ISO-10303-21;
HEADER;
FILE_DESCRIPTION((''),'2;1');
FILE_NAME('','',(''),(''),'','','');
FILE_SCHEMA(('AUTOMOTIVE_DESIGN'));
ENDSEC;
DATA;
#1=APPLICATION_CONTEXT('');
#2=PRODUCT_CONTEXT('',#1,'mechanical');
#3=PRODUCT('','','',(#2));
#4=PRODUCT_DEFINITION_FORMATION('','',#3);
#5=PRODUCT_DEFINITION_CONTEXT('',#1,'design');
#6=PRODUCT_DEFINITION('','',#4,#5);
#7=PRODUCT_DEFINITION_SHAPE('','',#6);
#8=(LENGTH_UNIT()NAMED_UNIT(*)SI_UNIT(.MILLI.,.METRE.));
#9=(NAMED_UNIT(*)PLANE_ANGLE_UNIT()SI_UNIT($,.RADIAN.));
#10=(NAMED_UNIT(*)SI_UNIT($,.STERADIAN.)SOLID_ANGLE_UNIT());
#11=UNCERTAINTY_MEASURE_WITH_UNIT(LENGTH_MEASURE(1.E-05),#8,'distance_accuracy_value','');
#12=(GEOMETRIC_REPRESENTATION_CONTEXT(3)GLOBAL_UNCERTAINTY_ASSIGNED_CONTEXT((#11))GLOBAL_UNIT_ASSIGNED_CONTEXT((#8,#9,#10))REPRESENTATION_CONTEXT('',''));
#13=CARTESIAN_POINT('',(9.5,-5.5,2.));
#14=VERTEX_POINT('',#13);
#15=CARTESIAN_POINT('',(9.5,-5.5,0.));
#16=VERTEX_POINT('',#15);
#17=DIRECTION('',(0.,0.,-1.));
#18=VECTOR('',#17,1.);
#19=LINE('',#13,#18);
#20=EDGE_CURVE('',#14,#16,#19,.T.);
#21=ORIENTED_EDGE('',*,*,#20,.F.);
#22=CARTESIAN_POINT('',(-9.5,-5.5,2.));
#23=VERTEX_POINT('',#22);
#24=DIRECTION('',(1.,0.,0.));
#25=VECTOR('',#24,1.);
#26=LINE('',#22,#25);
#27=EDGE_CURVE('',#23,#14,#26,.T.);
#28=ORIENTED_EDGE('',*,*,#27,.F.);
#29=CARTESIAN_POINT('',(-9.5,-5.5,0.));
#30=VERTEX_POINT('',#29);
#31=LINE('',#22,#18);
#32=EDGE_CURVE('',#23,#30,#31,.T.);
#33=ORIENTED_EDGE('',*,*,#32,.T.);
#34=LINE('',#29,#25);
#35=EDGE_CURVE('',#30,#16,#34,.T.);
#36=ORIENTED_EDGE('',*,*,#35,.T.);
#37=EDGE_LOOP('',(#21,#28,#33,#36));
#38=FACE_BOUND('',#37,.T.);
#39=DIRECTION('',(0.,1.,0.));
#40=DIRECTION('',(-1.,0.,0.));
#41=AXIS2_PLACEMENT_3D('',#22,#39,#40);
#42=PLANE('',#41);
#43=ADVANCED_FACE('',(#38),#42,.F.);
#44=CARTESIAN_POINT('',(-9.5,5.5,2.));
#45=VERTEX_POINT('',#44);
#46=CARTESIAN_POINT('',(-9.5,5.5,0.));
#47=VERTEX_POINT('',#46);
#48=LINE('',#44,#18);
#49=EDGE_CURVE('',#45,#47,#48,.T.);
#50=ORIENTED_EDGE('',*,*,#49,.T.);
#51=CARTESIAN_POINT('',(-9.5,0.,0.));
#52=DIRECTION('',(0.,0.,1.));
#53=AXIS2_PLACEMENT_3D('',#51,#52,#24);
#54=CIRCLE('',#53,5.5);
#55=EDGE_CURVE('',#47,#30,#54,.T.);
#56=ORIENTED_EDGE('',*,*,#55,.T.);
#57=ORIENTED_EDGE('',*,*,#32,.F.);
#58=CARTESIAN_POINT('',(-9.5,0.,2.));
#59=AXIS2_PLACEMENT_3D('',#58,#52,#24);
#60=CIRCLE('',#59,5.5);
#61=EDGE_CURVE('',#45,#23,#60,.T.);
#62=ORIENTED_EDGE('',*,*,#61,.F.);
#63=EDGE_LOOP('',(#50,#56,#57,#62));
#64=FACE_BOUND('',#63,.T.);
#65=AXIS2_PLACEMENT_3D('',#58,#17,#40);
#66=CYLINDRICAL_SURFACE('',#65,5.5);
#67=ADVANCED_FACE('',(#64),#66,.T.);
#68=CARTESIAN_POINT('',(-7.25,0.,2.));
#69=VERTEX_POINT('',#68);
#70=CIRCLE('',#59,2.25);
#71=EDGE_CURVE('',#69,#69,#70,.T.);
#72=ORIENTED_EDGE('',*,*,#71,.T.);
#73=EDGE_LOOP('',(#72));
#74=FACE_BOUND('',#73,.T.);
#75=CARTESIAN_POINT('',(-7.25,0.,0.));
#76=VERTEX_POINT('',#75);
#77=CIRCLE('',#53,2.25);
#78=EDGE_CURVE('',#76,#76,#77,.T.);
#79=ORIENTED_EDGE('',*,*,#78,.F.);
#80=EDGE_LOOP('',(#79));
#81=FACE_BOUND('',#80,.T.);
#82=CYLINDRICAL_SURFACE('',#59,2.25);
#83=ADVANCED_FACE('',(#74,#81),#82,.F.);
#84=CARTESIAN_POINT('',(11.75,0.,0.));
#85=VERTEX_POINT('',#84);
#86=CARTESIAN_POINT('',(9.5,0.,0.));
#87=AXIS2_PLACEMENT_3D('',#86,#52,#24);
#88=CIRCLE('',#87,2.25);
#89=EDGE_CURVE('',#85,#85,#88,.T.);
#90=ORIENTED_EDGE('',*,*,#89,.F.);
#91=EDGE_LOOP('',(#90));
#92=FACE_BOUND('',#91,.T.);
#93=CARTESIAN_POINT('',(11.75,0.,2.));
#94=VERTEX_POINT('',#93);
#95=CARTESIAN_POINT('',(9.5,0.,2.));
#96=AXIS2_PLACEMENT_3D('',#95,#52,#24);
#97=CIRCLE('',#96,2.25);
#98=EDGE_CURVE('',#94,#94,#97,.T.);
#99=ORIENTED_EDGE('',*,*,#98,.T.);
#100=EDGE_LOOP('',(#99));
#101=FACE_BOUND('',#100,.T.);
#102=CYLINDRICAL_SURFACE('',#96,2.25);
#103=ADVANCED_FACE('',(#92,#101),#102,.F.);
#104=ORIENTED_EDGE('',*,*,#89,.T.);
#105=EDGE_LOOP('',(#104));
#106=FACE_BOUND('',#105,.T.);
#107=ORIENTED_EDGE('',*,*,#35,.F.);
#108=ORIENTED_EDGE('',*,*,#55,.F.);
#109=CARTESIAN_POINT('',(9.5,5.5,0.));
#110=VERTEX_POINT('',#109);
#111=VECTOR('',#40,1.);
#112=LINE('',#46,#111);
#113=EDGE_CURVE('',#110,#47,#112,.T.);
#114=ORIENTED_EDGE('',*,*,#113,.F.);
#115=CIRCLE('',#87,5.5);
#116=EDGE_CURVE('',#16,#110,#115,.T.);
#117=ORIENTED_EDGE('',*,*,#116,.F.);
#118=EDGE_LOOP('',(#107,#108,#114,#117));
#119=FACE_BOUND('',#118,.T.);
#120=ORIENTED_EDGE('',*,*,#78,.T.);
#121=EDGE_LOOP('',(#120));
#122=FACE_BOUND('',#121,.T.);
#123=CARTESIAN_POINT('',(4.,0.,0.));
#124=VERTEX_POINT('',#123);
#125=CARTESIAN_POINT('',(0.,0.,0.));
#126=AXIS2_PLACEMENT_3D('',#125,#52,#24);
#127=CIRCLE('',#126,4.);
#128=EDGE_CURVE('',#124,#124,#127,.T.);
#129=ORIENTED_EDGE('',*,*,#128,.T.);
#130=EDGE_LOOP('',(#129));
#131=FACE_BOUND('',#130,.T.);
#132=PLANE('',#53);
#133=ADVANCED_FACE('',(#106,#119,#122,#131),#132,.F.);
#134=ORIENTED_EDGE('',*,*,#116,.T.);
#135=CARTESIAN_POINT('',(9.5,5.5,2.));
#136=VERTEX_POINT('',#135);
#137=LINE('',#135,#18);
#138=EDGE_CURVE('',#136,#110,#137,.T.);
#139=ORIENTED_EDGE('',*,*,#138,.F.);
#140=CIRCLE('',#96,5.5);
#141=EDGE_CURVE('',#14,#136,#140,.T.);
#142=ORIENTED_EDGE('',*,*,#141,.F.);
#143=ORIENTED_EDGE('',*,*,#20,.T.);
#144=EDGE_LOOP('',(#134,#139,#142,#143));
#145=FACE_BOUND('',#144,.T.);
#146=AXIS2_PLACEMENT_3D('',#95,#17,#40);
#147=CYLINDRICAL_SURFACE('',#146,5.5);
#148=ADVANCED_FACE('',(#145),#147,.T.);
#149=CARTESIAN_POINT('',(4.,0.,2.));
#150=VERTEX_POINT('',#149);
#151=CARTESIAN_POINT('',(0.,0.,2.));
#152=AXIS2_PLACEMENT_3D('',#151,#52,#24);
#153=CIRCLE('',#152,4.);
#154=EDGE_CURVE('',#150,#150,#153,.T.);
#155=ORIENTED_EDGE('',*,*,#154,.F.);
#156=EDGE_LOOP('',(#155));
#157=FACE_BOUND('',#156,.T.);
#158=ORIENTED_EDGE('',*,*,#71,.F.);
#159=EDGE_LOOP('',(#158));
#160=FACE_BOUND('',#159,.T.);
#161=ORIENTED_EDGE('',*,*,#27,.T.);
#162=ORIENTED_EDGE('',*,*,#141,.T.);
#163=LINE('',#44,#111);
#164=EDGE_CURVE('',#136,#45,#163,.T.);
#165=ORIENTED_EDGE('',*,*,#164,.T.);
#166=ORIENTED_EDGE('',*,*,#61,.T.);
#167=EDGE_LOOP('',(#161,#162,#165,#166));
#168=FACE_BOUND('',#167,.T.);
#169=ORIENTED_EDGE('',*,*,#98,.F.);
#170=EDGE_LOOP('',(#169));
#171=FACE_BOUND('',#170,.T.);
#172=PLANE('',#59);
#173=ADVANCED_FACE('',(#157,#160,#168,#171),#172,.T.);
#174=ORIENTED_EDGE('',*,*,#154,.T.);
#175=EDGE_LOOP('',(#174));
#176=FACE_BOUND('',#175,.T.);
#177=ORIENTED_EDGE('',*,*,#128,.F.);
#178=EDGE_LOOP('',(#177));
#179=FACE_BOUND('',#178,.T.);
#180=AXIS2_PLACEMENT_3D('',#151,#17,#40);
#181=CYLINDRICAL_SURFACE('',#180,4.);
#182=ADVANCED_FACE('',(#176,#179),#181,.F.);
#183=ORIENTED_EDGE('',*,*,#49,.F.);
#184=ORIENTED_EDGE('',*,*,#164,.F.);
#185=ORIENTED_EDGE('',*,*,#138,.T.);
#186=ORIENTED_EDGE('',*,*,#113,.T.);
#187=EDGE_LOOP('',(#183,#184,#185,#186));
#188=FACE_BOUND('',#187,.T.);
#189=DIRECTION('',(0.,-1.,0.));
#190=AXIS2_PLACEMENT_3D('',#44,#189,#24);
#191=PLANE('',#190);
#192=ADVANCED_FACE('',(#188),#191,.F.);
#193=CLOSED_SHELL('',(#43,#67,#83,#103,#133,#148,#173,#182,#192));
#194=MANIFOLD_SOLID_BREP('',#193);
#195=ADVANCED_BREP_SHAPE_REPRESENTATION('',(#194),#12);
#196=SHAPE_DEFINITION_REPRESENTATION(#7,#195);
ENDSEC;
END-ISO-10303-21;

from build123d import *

# Parameters (mm, degrees)
SKETCH1_R            = 4
BOSS_EXTRUDE1_DEPTH  = 2
M4_CLEARANCE_HOLE1_D = 4.5


with BuildPart() as part:
    # Sketch1 → Boss-Extrude1 (new body)
    with BuildSketch(Plane.XY):
        with BuildLine():
            Line((-9.5, 5.5), (9.5, 5.5))
            ThreePointArc((9.5, 5.5), (15, 0), (9.5, -5.5))
            Line((9.5, -5.5), (-9.5, -5.5))
            ThreePointArc((-9.5, -5.5), (-15, 0), (-9.5, 5.5))
        make_face()
        Circle(SKETCH1_R, mode=Mode.SUBTRACT)
    extrude(amount=BOSS_EXTRUDE1_DEPTH)

    # M4 Clearance Hole1 (through all)
    with Locations(Plane.XY.offset(2)):
        with Locations((-9.5, 0), (9.5, 0)):
            Hole(M4_CLEARANCE_HOLE1_D / 2)


solid = part.part
